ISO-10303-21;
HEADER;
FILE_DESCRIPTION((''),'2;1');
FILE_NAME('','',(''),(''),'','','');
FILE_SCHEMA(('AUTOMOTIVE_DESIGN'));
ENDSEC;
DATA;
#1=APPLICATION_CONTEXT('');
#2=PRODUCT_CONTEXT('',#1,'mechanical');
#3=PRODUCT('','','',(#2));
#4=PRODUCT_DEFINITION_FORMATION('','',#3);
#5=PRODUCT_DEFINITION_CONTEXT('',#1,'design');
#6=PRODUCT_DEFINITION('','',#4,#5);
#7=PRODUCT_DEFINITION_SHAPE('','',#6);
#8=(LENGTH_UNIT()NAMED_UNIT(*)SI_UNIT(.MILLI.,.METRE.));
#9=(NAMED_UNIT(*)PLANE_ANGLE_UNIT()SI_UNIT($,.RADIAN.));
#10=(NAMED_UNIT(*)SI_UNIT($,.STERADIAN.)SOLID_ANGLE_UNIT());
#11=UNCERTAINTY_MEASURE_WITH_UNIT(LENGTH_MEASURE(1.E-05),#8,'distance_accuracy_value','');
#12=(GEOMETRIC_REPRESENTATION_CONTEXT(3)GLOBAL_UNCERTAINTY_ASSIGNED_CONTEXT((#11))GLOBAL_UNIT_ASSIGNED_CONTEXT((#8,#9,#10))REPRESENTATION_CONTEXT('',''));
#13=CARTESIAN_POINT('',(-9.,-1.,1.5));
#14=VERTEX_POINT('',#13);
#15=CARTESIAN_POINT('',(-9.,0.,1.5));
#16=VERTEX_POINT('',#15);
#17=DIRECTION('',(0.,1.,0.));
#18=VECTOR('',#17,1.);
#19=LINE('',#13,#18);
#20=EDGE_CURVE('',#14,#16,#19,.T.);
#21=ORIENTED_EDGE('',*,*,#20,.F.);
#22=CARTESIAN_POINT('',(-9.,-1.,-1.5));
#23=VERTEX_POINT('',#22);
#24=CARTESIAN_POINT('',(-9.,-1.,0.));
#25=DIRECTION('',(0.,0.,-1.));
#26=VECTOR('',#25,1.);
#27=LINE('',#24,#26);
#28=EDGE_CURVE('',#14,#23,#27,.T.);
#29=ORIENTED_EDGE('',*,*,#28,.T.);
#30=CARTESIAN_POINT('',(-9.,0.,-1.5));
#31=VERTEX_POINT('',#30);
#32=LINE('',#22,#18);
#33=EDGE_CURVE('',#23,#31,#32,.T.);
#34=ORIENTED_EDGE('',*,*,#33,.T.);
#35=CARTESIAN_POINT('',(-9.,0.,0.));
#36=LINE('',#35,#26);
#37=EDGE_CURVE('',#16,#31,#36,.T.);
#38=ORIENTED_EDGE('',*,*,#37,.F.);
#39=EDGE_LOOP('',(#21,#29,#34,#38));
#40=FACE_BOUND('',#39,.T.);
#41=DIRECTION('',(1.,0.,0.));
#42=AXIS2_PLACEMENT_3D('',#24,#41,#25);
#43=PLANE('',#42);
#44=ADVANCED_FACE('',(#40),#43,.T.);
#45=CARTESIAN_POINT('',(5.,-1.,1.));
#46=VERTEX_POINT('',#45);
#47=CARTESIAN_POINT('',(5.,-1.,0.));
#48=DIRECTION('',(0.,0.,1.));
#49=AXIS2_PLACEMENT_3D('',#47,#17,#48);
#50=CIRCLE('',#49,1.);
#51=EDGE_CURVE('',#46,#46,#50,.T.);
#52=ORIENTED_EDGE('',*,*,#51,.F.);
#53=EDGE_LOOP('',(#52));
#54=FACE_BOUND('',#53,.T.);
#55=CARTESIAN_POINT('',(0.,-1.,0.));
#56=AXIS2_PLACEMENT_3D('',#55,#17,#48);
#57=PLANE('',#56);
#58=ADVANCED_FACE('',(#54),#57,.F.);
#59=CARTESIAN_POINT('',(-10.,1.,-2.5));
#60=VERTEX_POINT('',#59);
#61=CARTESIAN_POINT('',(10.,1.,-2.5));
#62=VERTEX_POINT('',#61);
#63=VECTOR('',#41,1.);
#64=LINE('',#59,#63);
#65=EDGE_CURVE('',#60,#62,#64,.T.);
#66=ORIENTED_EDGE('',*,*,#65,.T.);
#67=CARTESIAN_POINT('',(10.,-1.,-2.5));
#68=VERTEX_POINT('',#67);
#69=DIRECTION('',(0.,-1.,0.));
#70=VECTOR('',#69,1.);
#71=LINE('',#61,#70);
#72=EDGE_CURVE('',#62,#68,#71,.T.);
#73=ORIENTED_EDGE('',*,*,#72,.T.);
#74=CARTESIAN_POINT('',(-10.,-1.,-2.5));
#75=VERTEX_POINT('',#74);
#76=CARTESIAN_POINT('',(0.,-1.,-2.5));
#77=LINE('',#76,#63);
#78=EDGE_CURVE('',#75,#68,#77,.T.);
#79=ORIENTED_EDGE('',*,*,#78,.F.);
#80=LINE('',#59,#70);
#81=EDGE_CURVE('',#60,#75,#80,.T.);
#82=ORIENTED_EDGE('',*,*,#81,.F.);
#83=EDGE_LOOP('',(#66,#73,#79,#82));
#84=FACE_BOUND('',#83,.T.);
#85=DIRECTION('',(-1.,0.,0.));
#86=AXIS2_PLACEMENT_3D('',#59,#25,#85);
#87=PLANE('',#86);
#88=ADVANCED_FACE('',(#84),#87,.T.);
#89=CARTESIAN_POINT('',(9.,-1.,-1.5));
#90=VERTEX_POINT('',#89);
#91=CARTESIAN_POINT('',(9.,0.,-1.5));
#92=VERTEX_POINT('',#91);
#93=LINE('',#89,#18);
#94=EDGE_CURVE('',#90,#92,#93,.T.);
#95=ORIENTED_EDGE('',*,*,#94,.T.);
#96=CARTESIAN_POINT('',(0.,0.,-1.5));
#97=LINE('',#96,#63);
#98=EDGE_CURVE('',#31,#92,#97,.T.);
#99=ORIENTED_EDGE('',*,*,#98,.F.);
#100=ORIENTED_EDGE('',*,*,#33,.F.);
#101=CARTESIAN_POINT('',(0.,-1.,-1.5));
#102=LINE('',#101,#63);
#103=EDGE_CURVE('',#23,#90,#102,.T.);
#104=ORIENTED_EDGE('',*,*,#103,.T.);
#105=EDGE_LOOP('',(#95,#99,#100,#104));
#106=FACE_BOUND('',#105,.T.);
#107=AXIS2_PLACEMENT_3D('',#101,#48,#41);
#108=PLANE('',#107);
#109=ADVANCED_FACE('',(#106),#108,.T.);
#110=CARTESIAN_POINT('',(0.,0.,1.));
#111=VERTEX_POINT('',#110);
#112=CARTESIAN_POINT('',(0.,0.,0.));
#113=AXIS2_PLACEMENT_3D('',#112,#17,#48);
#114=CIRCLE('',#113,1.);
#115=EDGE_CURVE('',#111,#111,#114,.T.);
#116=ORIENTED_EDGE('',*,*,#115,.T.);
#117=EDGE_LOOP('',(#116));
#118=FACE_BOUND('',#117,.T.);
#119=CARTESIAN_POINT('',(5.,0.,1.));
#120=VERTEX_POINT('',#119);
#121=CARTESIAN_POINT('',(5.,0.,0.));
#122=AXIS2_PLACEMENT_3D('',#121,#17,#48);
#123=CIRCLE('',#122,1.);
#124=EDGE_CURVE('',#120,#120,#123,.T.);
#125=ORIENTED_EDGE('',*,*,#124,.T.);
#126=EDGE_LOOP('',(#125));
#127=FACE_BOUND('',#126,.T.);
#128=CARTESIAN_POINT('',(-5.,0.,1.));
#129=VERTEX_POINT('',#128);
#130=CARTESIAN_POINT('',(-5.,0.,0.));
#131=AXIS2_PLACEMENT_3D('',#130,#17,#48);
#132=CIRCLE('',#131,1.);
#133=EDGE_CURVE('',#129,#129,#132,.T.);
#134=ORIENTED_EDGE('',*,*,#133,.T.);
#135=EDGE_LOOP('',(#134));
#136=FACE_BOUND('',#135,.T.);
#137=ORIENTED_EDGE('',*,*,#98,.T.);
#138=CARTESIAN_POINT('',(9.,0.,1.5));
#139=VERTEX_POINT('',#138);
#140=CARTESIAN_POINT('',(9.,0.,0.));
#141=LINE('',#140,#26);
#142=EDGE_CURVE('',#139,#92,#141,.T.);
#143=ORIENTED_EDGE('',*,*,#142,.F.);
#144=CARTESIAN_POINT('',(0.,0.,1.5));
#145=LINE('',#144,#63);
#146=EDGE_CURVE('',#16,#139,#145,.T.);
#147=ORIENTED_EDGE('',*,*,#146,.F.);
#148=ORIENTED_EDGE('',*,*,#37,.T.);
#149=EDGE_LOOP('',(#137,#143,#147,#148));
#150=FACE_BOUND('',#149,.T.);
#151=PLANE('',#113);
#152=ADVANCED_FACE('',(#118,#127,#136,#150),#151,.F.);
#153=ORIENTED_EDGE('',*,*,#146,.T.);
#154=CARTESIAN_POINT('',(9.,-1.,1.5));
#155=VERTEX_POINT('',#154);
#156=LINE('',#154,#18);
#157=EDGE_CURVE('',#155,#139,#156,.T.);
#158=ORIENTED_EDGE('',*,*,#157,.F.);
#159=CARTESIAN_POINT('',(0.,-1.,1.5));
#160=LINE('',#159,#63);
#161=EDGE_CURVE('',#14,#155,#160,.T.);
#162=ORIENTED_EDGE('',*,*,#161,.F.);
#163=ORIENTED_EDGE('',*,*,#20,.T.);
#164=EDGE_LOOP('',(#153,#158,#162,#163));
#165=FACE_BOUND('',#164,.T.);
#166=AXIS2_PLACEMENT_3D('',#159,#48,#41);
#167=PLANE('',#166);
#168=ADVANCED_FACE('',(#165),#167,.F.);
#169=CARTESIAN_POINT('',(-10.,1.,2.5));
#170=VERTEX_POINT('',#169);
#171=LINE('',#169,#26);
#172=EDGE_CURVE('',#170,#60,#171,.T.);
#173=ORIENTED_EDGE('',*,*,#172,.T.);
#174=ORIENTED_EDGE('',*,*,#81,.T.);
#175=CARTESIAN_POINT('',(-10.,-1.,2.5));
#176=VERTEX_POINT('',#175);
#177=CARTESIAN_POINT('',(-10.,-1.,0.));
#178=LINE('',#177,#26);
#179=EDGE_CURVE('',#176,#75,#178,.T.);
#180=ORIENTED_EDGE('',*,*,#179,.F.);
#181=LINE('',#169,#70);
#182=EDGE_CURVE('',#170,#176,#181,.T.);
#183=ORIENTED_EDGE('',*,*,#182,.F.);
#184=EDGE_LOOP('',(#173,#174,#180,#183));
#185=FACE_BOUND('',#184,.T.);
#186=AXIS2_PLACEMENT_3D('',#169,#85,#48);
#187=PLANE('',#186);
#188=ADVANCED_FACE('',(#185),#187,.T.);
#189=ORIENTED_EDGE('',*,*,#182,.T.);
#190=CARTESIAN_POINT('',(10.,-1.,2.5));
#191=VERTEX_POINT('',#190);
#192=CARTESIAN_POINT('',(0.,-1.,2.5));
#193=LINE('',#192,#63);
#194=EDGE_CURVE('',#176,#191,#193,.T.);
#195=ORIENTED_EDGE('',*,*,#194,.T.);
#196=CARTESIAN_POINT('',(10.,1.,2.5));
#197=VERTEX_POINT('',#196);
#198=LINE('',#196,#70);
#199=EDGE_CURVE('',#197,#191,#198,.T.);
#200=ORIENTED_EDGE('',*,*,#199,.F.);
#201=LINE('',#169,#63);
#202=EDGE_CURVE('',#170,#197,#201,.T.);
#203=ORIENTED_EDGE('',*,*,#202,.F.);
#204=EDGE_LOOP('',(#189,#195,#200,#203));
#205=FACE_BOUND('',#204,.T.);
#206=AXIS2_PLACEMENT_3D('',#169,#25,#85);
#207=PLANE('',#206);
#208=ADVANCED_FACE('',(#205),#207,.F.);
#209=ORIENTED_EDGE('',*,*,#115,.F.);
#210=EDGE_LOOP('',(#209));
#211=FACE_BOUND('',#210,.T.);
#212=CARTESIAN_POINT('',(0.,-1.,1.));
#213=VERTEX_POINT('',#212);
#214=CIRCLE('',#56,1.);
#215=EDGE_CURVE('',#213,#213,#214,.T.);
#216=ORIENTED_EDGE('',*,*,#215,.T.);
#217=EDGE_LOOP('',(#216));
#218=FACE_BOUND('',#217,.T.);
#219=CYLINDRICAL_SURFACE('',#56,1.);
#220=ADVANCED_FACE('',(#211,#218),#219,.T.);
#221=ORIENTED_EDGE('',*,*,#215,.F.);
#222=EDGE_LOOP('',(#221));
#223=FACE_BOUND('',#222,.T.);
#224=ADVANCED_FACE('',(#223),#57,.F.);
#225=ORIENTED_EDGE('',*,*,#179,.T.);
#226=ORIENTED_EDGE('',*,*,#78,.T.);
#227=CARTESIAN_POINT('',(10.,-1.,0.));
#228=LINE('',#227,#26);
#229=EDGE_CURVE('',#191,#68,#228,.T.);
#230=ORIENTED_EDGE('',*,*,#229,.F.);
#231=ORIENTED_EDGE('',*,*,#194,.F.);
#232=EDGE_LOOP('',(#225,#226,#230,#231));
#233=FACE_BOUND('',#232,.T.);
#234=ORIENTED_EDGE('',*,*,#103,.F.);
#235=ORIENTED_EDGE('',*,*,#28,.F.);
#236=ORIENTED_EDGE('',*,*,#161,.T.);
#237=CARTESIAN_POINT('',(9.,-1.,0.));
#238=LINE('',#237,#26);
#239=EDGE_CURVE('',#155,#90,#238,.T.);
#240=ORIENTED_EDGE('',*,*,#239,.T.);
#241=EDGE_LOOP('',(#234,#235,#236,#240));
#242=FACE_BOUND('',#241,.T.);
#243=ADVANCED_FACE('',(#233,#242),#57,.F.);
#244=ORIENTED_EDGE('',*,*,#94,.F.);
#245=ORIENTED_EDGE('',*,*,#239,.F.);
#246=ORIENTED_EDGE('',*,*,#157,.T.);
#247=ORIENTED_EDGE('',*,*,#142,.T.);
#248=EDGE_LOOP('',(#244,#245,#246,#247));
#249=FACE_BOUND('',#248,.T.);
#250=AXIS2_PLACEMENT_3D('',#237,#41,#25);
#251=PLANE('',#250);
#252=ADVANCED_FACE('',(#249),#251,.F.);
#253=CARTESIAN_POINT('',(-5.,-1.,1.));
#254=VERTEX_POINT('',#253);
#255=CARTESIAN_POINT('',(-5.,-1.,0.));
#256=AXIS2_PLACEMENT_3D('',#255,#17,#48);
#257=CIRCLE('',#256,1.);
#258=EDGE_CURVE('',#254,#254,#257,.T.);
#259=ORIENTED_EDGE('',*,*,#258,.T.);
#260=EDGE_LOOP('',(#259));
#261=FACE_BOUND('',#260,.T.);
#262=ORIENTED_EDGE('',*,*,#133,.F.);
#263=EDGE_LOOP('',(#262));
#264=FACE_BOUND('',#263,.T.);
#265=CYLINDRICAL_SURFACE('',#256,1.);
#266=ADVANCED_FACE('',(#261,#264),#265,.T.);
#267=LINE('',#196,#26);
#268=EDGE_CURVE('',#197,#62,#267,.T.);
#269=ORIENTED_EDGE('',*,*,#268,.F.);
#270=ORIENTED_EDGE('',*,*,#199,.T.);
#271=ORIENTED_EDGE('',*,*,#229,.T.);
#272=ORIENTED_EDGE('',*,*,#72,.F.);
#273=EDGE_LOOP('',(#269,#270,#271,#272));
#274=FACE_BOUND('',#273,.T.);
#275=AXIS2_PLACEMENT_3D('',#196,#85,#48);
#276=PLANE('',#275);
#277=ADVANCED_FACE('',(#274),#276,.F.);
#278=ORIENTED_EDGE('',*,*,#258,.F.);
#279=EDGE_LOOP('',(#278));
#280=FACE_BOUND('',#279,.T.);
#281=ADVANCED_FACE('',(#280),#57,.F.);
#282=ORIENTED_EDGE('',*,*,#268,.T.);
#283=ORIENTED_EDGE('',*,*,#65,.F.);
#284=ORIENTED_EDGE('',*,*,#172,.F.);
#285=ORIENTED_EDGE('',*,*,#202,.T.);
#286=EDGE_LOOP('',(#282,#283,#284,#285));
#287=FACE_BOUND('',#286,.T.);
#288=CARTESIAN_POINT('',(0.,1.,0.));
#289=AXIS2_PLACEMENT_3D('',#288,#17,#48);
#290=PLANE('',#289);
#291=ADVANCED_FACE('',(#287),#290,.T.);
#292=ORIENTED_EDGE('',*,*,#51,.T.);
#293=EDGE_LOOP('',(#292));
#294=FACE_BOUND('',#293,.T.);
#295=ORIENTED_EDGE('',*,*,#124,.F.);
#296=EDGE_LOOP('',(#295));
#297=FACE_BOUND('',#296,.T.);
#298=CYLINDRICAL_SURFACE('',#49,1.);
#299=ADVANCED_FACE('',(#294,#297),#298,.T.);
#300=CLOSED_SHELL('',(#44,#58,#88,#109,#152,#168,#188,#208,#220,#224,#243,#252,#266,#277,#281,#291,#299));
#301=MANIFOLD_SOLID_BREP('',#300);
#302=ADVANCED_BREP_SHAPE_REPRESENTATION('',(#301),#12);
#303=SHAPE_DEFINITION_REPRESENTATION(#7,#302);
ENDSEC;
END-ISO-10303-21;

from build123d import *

# Parameters (mm, degrees)
SKETCH1_W           = 20
SKETCH1_H           = 5
BOSS_EXTRUDE1_DEPTH = 1
SKETCH1_3_W         = 20
SKETCH1_3_H         = 5
SKETCH1_3_W_2       = 18
SKETCH1_3_H_2       = 3
SKETCH1_3_R         = 1
BOSS_EXTRUDE2_DEPTH = 1


with BuildPart() as part:
    # Sketch1 → Boss-Extrude1 (new body)
    with BuildSketch(Plane(origin=(0, 0, 0), x_dir=(1, 0, 0), z_dir=(0, 1, 0))):
        Rectangle(SKETCH1_W, SKETCH1_H)
    extrude(amount=BOSS_EXTRUDE1_DEPTH)

    # Sketch1<3> → Boss-Extrude2 (add)
    # profile 1 of 4: a face of its own
    with BuildSketch(Plane(origin=(0, 0, 0), x_dir=(1, 0, 0), z_dir=(0, 1, 0))):
        Rectangle(SKETCH1_3_W, SKETCH1_3_H)
        Rectangle(SKETCH1_3_W_2, SKETCH1_3_H_2, mode=Mode.SUBTRACT)
    # profile 2 of 4: a face of its own
    with BuildSketch(Plane(origin=(0, 0, 0), x_dir=(1, 0, 0), z_dir=(0, 1, 0))):
        with Locations((-5, 0)):
            Circle(SKETCH1_3_R)
    # profile 3 of 4: a face of its own
    with BuildSketch(Plane(origin=(0, 0, 0), x_dir=(1, 0, 0), z_dir=(0, 1, 0))):
        Circle(SKETCH1_3_R)
    # profile 4 of 4: a face of its own
    with BuildSketch(Plane(origin=(0, 0, 0), x_dir=(1, 0, 0), z_dir=(0, 1, 0))):
        with Locations((5, 0)):
            Circle(SKETCH1_3_R)
    extrude(amount=-BOSS_EXTRUDE2_DEPTH)


solid = part.part
